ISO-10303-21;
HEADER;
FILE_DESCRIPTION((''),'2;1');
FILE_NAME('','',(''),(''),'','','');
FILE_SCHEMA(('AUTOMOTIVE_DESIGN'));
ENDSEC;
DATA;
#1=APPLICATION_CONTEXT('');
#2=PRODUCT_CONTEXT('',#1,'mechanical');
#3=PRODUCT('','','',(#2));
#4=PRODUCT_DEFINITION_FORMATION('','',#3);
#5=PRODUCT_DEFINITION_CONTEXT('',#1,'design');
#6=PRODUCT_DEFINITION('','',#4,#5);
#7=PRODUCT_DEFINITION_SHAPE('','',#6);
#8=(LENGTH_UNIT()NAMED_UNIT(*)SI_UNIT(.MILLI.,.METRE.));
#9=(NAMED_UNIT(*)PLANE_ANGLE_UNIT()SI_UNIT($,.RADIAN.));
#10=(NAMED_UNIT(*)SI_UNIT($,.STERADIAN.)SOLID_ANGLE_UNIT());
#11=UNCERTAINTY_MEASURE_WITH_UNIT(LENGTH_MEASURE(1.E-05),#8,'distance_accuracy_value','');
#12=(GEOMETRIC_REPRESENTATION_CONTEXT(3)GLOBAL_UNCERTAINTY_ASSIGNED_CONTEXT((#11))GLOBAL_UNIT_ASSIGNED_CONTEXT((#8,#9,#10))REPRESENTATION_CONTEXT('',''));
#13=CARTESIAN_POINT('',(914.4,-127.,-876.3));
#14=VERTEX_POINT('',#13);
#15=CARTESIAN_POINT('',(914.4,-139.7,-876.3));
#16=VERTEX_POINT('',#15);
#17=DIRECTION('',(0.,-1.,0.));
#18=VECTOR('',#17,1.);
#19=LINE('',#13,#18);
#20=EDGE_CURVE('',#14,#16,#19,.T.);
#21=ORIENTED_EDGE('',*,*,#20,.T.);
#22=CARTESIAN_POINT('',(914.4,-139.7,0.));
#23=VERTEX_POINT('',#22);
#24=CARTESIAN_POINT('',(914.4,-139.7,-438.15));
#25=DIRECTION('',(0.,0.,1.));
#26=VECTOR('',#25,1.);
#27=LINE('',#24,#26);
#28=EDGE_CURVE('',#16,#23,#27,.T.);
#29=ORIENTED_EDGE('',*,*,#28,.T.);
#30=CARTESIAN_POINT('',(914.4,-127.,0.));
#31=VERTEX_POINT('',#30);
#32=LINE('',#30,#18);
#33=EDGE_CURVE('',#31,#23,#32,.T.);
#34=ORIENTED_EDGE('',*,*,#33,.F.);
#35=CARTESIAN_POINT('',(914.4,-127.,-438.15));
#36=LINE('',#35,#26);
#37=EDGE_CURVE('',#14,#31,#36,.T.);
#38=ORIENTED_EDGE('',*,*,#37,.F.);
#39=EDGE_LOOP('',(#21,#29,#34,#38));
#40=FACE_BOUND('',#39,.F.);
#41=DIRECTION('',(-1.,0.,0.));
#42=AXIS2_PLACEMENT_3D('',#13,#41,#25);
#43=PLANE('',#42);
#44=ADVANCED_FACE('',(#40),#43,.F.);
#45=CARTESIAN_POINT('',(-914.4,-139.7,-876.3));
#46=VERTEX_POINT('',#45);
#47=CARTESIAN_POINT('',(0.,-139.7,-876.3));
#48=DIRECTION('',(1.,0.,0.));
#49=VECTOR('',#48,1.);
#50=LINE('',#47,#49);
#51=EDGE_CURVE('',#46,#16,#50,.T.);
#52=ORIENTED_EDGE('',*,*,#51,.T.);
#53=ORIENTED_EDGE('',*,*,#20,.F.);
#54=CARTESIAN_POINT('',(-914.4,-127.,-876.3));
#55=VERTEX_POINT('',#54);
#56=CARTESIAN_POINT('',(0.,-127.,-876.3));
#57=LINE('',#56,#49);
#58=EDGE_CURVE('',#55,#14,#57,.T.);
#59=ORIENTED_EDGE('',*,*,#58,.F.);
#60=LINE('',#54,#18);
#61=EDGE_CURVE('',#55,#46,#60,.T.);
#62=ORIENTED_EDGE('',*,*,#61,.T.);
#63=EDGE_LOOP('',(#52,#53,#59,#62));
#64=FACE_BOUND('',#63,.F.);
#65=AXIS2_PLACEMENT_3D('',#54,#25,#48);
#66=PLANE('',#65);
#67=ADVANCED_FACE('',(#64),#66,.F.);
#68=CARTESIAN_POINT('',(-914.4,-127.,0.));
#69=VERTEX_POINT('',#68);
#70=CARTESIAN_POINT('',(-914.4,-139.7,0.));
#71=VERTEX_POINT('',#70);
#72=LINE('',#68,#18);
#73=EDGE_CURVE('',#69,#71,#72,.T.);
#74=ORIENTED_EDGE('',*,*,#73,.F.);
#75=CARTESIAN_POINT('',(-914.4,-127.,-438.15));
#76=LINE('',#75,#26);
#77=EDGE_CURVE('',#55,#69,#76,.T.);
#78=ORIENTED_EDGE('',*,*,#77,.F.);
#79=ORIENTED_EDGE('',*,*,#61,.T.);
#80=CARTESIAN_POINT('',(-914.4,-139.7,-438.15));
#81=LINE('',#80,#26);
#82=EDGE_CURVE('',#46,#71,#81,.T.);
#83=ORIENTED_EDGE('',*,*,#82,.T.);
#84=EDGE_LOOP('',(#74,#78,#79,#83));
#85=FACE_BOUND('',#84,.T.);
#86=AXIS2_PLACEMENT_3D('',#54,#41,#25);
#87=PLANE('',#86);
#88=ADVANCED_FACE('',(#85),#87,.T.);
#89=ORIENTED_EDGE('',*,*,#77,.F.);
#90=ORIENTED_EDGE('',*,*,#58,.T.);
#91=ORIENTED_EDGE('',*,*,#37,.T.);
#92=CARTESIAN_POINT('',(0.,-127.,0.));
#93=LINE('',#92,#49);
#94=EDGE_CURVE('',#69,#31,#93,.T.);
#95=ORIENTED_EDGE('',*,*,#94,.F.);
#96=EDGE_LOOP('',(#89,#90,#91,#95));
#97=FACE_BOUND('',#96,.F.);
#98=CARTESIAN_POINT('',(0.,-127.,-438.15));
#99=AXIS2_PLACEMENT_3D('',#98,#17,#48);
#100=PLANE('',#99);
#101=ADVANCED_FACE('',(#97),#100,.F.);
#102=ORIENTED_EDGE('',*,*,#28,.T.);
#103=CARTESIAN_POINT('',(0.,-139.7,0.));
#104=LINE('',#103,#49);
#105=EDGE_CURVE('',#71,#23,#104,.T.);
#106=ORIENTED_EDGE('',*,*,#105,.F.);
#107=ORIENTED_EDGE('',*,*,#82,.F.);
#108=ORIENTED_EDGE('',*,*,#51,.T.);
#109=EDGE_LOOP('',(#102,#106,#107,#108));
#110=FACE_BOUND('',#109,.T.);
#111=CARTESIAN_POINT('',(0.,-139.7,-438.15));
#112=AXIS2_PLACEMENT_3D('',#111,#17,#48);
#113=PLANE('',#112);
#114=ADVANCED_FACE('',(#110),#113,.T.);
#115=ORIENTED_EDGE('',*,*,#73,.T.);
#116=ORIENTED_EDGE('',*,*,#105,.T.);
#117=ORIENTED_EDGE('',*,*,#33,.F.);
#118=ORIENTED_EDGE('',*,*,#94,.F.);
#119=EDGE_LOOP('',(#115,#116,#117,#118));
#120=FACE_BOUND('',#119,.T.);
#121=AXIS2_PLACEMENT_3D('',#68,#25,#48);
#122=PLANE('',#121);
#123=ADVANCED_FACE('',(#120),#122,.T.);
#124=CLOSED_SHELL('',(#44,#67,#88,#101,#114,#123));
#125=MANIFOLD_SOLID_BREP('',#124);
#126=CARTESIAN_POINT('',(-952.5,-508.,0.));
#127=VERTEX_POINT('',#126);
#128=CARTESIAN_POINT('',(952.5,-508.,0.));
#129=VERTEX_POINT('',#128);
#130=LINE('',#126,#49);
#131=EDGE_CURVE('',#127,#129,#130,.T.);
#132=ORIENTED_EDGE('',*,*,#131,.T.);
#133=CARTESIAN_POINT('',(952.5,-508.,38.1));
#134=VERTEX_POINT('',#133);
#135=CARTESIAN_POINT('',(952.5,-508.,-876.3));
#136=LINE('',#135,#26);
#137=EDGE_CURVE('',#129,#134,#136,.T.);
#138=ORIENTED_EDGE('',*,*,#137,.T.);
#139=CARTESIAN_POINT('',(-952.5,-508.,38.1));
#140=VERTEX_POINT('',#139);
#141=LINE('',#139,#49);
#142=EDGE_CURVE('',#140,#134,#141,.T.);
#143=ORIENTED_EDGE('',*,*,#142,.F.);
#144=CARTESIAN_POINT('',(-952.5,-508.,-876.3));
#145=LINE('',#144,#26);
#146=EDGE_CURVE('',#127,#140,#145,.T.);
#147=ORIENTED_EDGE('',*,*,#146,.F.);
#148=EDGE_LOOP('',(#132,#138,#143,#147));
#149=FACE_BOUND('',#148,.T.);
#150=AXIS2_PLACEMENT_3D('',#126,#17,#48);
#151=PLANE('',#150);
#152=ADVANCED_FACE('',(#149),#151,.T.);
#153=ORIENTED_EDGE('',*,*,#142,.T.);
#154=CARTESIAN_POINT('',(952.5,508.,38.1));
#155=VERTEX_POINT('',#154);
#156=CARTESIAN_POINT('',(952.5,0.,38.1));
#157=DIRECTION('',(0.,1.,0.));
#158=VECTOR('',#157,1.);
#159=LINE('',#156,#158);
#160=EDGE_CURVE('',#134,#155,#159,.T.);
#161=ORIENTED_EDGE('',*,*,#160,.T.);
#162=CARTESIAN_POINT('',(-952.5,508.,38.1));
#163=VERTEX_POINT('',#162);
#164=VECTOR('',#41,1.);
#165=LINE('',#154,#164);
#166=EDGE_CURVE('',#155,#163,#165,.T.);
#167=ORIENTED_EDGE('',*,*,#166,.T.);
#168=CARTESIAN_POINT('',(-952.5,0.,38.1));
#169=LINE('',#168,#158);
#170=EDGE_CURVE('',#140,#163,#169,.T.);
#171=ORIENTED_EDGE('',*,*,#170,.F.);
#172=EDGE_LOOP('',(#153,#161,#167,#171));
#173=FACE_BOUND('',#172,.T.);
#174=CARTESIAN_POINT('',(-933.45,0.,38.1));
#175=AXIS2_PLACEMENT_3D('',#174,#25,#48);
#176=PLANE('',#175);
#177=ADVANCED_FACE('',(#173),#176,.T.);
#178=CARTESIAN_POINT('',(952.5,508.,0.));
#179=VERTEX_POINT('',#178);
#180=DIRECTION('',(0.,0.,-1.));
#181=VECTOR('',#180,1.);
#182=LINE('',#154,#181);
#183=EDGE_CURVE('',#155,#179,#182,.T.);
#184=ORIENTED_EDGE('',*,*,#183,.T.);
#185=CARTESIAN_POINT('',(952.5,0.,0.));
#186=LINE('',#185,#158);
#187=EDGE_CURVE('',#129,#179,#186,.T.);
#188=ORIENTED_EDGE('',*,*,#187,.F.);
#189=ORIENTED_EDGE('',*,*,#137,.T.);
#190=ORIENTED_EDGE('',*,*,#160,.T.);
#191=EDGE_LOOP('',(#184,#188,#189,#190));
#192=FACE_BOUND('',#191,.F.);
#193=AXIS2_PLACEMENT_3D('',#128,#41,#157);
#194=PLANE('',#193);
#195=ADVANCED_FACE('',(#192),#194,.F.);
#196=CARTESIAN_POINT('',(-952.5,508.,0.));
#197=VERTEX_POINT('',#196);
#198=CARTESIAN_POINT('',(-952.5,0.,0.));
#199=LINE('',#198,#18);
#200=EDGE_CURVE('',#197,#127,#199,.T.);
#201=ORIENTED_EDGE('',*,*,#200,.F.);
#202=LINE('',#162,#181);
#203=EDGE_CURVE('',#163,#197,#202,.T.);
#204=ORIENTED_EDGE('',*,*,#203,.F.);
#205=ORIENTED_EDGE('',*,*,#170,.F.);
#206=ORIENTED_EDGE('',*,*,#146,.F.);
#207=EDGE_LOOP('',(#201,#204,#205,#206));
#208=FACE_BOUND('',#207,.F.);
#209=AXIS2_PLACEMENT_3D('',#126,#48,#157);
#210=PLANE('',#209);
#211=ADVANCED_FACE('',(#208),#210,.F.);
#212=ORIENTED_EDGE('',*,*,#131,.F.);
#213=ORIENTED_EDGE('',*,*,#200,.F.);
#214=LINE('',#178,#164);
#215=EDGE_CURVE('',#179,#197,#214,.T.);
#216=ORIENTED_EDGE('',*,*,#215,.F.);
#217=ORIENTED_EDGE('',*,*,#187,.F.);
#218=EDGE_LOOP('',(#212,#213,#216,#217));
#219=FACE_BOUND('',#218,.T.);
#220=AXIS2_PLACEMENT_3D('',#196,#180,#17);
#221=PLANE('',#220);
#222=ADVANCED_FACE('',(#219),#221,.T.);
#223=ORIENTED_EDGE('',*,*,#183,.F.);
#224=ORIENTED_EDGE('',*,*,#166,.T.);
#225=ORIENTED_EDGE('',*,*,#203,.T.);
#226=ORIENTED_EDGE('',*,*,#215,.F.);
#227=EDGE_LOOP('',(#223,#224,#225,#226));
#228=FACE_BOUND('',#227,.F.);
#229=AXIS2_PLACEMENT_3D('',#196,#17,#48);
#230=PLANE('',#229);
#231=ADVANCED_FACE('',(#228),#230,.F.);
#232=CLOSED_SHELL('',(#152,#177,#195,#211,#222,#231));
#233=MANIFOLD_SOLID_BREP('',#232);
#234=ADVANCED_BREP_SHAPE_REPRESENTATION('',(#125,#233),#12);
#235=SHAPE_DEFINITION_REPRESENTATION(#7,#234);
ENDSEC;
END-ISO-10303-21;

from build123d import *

# Parameters (mm, degrees)
F0_W     = 38.1
F0_H     = 1016
F0_W_2   = 1828.8
F1_DEPTH = 38.1
F2_DEPTH = 876.3
F4_W     = 1828.8
F4_H     = 876.3
F5_DEPTH = 12.7
F6_W     = 1016
F6_H     = 876.3
F7_DEPTH = 38.1
F8_W     = 1016
F8_H     = 876.3
F9_DEPTH = 38.1


with BuildPart() as f1:
    # F0 (on Top) → F1 (new body)
    with BuildSketch(Plane.XY):
        with Locations((-933.45, 0)):
            Rectangle(F0_W, F0_H)
        Rectangle(F0_W_2, F0_H)
        with Locations((933.45, 0)):
            Rectangle(F0_W, F0_H)
    extrude(amount=F1_DEPTH)

    # F0 (on Top) → F2 (join)
    with BuildSketch(Plane.XY):
        with Locations((-933.45, 0)):
            Rectangle(F0_W, F0_H)
        with Locations((933.45, 0)):
            Rectangle(F0_W, F0_H)
    extrude(amount=-F2_DEPTH)

    # F6 (on face) → F7 (cut)
    with BuildSketch(Plane.YZ.offset(952.5)):
        with Locations((0, -438.15)):
            Rectangle(F6_W, F6_H)
    extrude(amount=-F7_DEPTH, mode=Mode.SUBTRACT)

    # F8 (on face) → F9 (cut)
    with BuildSketch(Plane(origin=(-952.5, 0, 0), x_dir=(0, -1, 0), z_dir=(-1, 0, 0))):
        with Locations((0, -438.15)):
            Rectangle(F8_W, F8_H)
    extrude(amount=-F9_DEPTH, mode=Mode.SUBTRACT)


with BuildPart() as f5:
    # F4 (on offset) → F5 (new body)
    with BuildSketch(Plane.XZ.offset(127)):
        with Locations((0, -438.15)):
            Rectangle(F4_W, F4_H)
    extrude(amount=F5_DEPTH)


solid = Compound([f1.part, f5.part])
